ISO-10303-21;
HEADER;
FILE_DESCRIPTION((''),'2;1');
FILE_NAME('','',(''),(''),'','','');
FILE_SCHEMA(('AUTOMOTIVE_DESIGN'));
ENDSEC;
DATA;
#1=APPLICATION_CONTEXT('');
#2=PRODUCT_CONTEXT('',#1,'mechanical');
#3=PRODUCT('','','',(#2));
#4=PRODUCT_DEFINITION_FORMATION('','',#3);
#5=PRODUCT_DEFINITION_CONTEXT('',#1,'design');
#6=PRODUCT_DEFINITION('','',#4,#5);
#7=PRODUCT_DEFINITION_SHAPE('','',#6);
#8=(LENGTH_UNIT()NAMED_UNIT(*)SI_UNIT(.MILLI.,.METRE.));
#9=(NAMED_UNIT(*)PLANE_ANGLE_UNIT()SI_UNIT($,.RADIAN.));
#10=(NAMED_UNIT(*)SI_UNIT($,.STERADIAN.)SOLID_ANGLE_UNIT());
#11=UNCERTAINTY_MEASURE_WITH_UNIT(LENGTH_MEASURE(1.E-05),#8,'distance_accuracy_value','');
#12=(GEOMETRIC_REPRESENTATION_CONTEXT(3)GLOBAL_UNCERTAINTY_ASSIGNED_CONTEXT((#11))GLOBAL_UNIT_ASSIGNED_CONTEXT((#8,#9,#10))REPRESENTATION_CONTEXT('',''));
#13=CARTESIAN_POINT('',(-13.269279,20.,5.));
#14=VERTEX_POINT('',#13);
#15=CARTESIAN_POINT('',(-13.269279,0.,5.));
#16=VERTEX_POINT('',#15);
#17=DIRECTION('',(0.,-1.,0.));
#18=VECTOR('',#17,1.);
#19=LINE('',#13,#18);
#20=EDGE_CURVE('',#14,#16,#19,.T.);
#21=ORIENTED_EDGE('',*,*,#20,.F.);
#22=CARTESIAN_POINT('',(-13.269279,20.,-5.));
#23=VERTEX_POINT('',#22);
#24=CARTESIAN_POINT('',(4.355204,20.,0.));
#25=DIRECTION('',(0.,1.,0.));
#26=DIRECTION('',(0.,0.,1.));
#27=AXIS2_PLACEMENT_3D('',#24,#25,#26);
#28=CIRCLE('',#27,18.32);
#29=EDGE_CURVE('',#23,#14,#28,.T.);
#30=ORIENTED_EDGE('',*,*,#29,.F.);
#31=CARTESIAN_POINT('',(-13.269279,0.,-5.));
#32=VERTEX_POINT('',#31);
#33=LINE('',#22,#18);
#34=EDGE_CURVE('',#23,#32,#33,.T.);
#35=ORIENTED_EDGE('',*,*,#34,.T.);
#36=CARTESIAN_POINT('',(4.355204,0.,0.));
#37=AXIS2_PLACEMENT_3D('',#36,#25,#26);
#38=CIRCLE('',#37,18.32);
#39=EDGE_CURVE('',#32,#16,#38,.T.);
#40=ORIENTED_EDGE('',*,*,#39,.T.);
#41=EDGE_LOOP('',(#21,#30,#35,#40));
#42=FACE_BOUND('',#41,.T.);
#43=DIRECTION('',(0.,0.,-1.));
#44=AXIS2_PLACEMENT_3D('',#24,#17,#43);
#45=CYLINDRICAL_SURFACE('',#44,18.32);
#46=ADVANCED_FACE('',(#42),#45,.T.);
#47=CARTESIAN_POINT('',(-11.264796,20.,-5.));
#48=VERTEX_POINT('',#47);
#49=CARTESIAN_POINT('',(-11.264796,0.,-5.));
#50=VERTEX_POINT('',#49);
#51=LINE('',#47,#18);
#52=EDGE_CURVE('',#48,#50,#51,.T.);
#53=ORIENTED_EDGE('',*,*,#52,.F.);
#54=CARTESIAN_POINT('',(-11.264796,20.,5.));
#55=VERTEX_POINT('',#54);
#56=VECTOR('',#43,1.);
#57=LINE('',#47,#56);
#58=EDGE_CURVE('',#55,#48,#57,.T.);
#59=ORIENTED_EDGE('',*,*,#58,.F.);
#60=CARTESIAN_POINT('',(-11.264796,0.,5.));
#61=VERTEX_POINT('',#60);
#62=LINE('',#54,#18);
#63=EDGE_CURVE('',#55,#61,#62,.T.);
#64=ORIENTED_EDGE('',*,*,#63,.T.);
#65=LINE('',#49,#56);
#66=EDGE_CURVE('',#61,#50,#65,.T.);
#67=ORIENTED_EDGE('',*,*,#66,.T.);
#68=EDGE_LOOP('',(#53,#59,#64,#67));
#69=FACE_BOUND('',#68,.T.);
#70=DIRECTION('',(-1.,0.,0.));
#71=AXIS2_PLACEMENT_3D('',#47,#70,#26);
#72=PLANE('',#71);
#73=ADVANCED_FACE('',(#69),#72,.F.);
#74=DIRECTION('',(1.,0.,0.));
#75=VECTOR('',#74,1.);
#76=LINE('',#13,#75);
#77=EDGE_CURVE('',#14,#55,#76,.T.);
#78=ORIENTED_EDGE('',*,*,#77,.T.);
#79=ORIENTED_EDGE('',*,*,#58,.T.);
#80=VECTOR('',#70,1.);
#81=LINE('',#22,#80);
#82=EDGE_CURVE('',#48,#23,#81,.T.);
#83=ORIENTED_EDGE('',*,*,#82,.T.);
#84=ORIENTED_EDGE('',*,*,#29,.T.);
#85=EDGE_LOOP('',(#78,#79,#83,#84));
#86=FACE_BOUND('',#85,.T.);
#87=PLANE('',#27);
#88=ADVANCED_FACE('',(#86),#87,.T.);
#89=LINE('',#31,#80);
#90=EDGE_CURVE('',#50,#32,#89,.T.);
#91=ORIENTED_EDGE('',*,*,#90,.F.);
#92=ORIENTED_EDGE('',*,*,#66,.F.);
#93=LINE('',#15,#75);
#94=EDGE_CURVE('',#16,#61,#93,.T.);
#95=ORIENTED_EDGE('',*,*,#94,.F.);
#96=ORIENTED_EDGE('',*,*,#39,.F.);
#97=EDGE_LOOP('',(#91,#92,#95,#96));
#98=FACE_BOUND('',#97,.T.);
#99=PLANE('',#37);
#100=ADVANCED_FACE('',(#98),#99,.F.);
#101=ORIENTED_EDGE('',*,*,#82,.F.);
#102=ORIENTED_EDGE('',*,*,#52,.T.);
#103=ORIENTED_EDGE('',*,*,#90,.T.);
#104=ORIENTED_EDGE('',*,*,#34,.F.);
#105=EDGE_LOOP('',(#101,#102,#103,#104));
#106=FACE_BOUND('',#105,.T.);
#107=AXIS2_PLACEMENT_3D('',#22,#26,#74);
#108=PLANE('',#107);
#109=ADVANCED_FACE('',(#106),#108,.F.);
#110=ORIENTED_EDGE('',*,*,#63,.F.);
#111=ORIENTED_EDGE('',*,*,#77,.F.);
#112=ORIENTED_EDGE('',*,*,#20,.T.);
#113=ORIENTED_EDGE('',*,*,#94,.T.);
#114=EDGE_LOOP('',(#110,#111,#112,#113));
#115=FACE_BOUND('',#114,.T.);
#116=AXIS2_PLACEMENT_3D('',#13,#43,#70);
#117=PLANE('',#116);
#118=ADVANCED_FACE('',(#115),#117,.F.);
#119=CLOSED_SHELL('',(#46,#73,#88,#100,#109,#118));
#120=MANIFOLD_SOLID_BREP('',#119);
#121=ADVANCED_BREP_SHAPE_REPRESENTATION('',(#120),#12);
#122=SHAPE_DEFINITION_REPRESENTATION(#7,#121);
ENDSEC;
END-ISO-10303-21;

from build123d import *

# Parameters (mm, degrees)
EXTRUDE_1_DEPTH = 20


with BuildPart() as part:
    # 草图1 → 凸台-拉伸1 (new body)
    with BuildSketch(Plane(origin=(0, 0, 0), x_dir=(1, 0, 0), z_dir=(0, 1, 0))):
        with BuildLine():
            Line((-13.269278636, 5), (-11.264795665, 5))
            Line((-11.264795665, 5), (-11.264795665, -5))
            Line((-11.264795665, -5), (-13.269278636, -5))
            ThreePointArc((-13.269278636, -5), (-13.964795665, 0), (-13.269278636, 5))
        make_face()
    extrude(amount=EXTRUDE_1_DEPTH)


solid = part.part
